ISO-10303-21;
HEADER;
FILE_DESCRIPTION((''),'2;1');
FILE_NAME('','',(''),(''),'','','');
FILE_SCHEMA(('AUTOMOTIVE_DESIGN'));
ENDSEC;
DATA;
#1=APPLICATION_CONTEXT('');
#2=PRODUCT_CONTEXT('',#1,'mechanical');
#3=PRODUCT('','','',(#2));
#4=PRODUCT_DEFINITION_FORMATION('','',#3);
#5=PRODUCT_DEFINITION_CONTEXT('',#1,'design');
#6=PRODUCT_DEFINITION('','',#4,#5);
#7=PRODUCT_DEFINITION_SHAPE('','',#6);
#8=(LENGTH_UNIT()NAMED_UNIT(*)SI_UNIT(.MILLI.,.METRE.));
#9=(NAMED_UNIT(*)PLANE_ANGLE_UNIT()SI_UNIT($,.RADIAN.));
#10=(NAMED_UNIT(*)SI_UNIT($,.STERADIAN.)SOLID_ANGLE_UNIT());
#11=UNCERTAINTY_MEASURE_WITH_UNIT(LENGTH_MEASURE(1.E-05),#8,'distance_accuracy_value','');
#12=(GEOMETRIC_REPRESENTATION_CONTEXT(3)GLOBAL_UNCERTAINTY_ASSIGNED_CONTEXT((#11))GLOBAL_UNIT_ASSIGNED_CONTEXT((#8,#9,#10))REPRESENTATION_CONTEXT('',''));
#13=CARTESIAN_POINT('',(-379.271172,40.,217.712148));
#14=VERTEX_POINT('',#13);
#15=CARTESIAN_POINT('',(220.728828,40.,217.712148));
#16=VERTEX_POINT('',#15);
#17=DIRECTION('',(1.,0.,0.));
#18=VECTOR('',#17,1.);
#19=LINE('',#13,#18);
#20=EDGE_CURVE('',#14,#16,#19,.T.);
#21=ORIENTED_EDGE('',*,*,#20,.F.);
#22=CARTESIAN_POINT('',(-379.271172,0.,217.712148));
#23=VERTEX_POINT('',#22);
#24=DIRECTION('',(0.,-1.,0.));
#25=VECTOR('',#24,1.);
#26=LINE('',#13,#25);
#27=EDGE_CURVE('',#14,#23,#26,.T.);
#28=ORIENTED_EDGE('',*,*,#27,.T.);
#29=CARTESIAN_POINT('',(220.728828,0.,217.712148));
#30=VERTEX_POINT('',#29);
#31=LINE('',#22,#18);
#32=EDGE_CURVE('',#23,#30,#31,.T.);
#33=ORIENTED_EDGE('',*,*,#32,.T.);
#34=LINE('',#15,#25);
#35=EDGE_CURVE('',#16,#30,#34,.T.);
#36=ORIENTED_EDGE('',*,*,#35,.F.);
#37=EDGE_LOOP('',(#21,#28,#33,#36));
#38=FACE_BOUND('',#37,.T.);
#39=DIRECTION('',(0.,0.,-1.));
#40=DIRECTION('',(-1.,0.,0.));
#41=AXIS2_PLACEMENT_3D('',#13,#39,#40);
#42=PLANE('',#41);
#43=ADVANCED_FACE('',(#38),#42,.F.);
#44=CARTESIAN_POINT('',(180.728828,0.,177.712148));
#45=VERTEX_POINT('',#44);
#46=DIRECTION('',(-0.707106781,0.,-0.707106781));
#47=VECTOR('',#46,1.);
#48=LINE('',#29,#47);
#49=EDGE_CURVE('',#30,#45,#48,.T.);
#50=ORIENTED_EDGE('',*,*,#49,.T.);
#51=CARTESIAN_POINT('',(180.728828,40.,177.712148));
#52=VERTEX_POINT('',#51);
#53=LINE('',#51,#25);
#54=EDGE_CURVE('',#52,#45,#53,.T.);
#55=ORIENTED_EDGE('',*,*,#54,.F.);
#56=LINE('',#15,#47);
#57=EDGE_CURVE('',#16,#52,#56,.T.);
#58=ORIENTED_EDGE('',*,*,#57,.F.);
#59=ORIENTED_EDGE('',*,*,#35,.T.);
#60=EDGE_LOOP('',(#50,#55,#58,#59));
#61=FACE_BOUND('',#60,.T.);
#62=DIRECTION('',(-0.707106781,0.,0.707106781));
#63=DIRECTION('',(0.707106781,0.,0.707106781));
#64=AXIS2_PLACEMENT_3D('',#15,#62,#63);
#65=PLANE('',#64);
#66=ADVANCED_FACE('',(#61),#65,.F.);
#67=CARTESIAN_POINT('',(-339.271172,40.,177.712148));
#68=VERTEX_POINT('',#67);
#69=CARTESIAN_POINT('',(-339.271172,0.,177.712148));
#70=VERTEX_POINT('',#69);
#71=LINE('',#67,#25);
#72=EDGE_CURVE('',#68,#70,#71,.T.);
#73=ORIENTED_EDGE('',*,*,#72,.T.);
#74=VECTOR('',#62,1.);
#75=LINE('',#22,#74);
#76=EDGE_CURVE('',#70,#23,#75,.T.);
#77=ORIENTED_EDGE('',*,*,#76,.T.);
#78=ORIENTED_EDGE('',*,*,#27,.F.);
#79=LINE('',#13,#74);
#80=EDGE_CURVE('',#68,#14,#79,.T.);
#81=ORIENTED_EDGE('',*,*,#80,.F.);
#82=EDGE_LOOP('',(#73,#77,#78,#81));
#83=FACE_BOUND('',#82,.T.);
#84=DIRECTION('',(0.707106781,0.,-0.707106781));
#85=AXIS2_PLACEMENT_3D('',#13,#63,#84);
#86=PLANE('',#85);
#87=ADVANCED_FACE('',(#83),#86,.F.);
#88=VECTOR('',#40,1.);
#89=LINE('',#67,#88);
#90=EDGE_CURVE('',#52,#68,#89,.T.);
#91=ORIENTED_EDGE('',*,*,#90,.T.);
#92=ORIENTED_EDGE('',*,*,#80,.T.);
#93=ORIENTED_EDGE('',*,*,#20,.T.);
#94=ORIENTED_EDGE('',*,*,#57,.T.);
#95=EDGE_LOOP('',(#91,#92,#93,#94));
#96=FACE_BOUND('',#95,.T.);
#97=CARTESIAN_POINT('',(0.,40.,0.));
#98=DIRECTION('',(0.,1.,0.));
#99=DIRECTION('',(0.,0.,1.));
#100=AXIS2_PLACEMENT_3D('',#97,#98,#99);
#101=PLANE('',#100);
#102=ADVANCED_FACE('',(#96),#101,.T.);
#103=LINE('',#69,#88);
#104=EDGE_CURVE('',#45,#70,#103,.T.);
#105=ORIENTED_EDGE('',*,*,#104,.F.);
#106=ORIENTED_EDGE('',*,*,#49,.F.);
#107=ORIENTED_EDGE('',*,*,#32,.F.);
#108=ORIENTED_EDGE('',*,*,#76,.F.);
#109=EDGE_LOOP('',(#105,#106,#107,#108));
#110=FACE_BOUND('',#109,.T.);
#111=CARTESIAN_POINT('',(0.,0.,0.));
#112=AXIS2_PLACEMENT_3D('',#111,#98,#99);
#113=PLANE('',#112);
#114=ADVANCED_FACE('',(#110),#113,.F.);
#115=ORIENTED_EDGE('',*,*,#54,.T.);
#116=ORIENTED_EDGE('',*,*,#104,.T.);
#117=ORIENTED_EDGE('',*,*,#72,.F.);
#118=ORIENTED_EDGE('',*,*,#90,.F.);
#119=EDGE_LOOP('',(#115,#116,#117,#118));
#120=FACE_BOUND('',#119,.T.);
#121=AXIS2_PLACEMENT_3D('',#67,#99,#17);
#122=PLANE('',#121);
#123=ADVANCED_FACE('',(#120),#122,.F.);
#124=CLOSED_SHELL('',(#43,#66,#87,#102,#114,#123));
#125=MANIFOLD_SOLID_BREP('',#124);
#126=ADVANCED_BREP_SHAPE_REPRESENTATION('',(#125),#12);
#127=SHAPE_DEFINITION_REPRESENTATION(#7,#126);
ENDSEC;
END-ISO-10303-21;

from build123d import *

# Parameters (mm, degrees)
EXTRUDE_1_DEPTH = 40


with BuildPart() as part:
    # Эскиз1 → Бобышка-Вытянуть1 (new body)
    with BuildSketch(Plane(origin=(0, 0, 0), x_dir=(1, 0, 0), z_dir=(0, 1, 0))):
        Polygon((220.728828249, -217.712147736), (180.728828249, -177.712147736), (-339.271171751, -177.712147736), (-379.271171751, -217.712147736), align=None)
    extrude(amount=EXTRUDE_1_DEPTH)


solid = part.part
